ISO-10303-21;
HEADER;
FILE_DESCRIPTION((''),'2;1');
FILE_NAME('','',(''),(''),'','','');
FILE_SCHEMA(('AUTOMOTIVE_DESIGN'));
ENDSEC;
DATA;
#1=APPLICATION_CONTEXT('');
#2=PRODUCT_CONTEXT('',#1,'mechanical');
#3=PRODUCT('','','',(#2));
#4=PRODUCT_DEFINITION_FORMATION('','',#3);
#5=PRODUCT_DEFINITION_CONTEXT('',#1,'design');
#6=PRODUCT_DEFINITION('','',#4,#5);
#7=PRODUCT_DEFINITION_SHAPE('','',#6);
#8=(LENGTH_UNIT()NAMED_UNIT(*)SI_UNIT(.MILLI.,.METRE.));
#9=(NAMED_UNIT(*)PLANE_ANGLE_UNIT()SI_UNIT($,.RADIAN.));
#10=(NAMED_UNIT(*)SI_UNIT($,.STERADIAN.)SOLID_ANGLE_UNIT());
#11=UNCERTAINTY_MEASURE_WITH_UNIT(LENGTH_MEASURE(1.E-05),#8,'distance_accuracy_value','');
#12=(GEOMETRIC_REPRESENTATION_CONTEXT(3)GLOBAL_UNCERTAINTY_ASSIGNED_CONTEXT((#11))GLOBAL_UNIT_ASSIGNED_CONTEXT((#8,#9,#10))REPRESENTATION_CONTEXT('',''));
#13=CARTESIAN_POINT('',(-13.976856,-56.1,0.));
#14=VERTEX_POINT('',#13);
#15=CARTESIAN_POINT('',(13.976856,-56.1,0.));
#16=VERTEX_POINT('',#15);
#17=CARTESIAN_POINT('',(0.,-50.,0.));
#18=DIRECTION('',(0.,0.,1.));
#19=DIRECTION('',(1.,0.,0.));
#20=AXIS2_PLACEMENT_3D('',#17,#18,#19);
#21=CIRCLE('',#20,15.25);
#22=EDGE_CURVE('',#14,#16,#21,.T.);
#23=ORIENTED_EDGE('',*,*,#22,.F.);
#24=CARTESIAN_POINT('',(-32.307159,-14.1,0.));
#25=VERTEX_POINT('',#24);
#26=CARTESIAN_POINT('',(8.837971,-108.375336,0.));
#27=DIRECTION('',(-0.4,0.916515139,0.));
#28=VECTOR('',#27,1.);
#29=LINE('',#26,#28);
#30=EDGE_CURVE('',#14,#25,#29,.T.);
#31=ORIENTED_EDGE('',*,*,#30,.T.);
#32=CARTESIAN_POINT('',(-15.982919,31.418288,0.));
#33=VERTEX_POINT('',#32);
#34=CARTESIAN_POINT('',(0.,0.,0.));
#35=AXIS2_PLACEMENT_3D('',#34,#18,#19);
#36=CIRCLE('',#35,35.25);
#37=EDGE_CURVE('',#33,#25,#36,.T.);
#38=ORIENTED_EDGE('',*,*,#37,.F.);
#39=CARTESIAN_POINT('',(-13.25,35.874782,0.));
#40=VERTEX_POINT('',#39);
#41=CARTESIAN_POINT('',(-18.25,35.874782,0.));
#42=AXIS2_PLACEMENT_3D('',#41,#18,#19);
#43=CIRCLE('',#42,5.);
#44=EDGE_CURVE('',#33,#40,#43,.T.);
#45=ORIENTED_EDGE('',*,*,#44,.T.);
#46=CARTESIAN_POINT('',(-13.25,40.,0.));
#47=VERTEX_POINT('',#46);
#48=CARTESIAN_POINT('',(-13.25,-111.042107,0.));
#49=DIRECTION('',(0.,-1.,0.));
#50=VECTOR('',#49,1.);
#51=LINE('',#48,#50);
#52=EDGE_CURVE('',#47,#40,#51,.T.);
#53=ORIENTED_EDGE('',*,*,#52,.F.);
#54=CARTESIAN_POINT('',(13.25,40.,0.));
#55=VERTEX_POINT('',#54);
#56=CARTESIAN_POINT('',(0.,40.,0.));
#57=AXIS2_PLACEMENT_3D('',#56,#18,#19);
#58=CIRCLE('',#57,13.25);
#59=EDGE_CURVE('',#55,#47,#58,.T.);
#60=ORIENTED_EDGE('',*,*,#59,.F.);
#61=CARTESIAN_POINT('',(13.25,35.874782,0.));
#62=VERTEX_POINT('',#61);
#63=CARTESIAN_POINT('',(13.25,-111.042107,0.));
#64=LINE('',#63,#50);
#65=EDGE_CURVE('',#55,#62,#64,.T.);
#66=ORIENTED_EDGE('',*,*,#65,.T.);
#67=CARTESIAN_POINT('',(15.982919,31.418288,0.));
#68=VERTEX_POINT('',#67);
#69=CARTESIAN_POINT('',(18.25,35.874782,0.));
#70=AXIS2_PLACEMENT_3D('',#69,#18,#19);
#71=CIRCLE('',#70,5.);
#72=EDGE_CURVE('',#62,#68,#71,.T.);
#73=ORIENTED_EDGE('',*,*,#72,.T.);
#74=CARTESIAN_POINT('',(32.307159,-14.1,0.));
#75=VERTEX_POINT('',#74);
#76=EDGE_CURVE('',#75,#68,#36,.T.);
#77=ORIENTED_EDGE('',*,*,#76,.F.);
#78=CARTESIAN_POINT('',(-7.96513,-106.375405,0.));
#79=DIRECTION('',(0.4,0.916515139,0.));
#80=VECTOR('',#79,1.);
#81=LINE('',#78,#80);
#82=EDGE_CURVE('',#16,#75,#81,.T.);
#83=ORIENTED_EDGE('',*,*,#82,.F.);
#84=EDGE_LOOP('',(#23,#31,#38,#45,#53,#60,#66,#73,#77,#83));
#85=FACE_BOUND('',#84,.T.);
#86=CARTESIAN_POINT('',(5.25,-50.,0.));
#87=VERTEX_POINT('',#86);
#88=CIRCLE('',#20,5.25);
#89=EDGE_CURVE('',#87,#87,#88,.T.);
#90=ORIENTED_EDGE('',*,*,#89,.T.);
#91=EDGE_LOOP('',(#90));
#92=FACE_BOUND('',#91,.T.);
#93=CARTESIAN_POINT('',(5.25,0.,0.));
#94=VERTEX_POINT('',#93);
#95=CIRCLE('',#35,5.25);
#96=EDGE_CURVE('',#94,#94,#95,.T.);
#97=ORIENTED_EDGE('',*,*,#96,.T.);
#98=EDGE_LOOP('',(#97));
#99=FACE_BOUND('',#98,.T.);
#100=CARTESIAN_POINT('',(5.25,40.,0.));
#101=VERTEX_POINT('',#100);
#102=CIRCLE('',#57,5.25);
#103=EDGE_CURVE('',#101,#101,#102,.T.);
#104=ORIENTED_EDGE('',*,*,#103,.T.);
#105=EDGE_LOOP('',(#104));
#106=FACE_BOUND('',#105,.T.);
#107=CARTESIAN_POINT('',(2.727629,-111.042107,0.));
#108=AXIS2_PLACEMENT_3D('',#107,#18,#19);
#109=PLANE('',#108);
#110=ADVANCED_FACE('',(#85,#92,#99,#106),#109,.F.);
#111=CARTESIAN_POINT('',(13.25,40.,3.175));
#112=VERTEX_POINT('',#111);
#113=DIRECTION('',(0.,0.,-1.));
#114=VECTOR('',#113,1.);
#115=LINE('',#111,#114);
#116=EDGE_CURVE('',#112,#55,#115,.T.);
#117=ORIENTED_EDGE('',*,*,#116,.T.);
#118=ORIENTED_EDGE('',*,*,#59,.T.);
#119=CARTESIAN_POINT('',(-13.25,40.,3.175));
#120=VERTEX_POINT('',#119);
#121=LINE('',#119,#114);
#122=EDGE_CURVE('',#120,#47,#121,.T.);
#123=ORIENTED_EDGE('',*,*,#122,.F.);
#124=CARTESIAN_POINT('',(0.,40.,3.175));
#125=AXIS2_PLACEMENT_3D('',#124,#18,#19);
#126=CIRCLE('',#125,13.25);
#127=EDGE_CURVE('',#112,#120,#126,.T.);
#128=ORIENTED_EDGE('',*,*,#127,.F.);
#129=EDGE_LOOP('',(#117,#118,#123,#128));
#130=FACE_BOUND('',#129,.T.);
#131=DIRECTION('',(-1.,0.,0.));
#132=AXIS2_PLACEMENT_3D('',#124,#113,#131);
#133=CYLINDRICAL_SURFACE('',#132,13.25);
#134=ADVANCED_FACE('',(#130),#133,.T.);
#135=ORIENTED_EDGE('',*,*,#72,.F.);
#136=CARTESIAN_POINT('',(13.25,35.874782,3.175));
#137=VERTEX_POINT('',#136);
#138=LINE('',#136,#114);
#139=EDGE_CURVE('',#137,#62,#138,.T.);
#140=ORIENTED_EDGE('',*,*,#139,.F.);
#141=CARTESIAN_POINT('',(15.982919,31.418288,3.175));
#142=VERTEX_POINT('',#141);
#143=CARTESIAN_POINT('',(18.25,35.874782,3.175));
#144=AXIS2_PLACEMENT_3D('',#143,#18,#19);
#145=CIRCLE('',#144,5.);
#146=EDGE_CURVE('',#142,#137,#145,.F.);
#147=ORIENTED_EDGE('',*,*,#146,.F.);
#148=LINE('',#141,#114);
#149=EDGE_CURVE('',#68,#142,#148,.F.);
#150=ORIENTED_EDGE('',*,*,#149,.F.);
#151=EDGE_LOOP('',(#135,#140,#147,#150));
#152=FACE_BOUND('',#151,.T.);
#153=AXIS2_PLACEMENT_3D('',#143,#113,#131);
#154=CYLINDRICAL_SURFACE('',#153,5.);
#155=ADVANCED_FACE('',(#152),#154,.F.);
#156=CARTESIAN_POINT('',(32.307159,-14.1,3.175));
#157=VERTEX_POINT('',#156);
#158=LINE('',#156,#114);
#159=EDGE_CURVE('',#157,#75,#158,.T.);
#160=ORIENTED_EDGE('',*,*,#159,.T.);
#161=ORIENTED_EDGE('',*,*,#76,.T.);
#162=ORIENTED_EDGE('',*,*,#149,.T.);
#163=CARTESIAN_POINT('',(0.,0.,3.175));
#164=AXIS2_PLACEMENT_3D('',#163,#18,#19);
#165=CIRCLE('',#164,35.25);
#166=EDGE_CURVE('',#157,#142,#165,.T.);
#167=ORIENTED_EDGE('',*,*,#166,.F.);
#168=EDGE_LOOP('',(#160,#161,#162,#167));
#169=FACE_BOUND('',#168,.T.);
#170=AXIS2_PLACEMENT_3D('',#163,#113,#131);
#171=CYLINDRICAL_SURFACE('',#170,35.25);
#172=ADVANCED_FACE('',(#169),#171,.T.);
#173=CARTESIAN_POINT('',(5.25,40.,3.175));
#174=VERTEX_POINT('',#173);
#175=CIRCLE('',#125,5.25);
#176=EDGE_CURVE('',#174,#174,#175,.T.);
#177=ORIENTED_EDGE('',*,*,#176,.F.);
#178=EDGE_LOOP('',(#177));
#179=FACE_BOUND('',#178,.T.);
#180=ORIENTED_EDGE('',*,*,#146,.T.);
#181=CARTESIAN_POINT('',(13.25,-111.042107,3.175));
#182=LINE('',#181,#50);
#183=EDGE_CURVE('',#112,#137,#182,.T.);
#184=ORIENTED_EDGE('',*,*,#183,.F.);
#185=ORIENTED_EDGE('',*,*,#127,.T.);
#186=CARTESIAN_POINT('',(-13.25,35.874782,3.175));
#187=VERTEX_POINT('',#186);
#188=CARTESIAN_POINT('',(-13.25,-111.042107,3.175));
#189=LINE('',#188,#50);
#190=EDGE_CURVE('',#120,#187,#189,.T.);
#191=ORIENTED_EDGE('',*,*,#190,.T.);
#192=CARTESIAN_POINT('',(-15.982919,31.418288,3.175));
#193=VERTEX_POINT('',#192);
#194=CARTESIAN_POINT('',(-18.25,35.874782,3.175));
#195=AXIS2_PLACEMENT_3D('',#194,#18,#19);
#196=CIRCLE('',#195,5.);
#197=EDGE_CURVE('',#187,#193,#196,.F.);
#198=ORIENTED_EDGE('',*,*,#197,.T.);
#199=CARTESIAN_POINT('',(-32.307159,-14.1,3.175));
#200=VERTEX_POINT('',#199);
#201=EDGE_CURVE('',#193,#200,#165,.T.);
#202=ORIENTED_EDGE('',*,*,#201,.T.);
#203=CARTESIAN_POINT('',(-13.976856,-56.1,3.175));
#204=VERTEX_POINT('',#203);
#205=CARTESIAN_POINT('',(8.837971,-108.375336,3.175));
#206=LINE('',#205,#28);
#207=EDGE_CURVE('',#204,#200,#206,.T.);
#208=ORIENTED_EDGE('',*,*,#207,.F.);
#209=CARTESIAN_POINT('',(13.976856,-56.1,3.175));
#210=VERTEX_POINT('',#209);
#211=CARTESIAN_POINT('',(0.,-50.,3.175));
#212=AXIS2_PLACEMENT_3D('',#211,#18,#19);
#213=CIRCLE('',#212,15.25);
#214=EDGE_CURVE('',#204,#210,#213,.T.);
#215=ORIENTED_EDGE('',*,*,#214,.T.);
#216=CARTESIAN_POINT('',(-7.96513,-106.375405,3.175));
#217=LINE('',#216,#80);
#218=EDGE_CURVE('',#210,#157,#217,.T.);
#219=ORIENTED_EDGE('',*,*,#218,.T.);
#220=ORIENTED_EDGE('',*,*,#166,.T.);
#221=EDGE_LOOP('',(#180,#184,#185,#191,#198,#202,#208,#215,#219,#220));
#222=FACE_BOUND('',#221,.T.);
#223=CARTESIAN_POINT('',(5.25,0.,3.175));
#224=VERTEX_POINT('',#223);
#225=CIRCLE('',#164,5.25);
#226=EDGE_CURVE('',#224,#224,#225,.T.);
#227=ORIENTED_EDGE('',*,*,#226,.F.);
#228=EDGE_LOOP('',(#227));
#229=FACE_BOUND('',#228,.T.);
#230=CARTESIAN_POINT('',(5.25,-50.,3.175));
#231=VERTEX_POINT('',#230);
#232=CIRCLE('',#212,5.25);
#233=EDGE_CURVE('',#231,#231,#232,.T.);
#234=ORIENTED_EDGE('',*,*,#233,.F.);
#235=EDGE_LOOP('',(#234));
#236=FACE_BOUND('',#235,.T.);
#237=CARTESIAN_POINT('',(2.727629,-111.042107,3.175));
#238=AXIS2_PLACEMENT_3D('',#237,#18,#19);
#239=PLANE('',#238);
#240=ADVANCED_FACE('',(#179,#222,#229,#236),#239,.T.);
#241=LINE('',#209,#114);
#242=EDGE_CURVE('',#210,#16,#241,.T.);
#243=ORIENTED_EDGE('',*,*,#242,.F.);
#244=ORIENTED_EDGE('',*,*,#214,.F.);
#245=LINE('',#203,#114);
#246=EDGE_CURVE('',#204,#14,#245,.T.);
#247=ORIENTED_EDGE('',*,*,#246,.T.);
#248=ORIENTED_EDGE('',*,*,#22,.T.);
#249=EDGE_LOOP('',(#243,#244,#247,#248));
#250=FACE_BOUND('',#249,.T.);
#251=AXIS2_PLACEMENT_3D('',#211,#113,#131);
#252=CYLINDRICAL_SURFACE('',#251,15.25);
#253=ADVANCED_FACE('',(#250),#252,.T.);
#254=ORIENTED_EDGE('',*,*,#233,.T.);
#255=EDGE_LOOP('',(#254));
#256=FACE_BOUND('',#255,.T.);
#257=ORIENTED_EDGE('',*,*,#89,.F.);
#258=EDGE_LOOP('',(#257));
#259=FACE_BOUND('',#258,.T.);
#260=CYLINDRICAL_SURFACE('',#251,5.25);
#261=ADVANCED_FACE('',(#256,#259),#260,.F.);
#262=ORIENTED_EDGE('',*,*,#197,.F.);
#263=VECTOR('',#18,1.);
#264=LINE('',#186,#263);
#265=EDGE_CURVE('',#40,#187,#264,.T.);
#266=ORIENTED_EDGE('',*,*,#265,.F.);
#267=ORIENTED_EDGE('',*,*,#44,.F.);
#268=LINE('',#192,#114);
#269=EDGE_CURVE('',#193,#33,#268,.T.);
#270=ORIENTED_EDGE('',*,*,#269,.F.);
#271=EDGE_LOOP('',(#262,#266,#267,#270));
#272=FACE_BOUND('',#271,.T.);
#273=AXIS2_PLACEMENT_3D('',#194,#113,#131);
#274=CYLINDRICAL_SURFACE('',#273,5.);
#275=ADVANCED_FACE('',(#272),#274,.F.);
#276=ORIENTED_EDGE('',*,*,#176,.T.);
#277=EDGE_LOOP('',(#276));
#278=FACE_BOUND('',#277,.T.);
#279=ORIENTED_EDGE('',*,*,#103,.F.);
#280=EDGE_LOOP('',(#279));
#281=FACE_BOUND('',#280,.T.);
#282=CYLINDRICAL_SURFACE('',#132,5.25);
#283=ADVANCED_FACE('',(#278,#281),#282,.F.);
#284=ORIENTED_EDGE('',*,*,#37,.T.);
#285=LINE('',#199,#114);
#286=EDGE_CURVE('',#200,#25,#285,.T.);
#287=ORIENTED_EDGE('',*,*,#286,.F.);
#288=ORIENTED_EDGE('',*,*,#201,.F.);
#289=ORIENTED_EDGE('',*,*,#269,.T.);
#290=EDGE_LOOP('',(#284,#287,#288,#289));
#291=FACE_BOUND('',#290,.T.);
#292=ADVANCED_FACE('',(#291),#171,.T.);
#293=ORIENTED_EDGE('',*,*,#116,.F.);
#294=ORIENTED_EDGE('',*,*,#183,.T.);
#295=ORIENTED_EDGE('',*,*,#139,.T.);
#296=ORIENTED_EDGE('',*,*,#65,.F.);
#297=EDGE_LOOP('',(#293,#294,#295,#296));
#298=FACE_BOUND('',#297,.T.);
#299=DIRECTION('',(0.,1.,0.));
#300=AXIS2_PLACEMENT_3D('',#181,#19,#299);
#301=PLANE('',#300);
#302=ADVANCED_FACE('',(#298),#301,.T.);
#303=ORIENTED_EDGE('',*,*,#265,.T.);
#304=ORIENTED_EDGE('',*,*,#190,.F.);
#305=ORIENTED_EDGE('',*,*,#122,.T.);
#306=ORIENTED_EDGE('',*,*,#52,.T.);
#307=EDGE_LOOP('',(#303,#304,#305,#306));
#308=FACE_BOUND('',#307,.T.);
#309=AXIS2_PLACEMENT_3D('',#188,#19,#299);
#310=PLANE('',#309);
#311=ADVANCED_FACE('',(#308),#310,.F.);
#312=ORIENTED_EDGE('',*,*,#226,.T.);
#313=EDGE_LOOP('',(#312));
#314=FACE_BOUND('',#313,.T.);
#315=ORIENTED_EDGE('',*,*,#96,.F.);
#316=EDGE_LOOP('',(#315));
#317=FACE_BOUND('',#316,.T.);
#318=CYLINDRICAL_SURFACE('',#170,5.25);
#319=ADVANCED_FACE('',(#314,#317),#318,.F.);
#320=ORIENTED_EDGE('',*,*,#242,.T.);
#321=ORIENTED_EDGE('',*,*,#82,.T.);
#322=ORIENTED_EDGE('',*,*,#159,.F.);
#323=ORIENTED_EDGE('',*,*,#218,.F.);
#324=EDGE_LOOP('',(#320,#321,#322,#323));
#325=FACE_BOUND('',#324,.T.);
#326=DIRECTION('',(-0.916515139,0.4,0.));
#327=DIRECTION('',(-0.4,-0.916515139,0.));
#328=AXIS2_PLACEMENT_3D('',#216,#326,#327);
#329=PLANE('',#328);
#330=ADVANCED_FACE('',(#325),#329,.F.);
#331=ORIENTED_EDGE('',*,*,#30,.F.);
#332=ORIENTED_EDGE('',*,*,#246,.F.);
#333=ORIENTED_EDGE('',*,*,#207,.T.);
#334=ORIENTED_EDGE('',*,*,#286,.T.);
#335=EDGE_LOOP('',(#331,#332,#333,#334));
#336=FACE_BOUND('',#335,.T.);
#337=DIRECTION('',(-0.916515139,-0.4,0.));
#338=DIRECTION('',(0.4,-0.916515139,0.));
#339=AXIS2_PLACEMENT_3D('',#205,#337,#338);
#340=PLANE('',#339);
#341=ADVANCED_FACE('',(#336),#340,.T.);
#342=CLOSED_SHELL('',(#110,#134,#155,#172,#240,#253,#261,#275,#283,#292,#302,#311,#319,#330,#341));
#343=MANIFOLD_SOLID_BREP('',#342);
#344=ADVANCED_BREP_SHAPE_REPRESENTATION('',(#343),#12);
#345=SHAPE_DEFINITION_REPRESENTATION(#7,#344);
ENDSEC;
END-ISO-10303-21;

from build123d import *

# Parameters (mm, degrees)
ESBO_O1_R       = 5.25
EXTRUS_O1_DEPTH = 3.175
FILETE1_R       = 5


with BuildPart() as part:
    # Esboço1 → Extrusão1 (new body)
    with BuildSketch(Plane.XY):
        with BuildLine():
            ThreePointArc((-13.25, 32.664965942), (-32.643593337, 13.30256795), (-32.307158649, -14.1))
            Line((-32.307158649, -14.1), (-13.97685587, -56.1))
            ThreePointArc((-13.97685587, -56.1), (0, -65.25), (13.97685587, -56.1))
            Line((13.97685587, -56.1), (32.307158649, -14.1))
            ThreePointArc((32.307158649, -14.1), (32.643593337, 13.30256795), (13.25, 32.664965942))
            Line((13.25, 32.664965942), (13.25, 40))
            ThreePointArc((13.25, 40), (0, 53.25), (-13.25, 40))
            Line((-13.25, 40), (-13.25, 32.664965942))
        make_face()
        with Locations((0, 40)):
            Circle(ESBO_O1_R, mode=Mode.SUBTRACT)
        with Locations((0, -50)):
            Circle(ESBO_O1_R, mode=Mode.SUBTRACT)
        Circle(ESBO_O1_R, mode=Mode.SUBTRACT)
    extrude(amount=EXTRUS_O1_DEPTH)

    # Filete1
    filete1_edges = [part.edges().sort_by_distance(p)[0] for p in [
        (13.25, 32.664965942, 1.5875),
        (-13.25, 32.664965942, 1.5875),
    ]]
    fillet(filete1_edges, radius=FILETE1_R)


solid = part.part
